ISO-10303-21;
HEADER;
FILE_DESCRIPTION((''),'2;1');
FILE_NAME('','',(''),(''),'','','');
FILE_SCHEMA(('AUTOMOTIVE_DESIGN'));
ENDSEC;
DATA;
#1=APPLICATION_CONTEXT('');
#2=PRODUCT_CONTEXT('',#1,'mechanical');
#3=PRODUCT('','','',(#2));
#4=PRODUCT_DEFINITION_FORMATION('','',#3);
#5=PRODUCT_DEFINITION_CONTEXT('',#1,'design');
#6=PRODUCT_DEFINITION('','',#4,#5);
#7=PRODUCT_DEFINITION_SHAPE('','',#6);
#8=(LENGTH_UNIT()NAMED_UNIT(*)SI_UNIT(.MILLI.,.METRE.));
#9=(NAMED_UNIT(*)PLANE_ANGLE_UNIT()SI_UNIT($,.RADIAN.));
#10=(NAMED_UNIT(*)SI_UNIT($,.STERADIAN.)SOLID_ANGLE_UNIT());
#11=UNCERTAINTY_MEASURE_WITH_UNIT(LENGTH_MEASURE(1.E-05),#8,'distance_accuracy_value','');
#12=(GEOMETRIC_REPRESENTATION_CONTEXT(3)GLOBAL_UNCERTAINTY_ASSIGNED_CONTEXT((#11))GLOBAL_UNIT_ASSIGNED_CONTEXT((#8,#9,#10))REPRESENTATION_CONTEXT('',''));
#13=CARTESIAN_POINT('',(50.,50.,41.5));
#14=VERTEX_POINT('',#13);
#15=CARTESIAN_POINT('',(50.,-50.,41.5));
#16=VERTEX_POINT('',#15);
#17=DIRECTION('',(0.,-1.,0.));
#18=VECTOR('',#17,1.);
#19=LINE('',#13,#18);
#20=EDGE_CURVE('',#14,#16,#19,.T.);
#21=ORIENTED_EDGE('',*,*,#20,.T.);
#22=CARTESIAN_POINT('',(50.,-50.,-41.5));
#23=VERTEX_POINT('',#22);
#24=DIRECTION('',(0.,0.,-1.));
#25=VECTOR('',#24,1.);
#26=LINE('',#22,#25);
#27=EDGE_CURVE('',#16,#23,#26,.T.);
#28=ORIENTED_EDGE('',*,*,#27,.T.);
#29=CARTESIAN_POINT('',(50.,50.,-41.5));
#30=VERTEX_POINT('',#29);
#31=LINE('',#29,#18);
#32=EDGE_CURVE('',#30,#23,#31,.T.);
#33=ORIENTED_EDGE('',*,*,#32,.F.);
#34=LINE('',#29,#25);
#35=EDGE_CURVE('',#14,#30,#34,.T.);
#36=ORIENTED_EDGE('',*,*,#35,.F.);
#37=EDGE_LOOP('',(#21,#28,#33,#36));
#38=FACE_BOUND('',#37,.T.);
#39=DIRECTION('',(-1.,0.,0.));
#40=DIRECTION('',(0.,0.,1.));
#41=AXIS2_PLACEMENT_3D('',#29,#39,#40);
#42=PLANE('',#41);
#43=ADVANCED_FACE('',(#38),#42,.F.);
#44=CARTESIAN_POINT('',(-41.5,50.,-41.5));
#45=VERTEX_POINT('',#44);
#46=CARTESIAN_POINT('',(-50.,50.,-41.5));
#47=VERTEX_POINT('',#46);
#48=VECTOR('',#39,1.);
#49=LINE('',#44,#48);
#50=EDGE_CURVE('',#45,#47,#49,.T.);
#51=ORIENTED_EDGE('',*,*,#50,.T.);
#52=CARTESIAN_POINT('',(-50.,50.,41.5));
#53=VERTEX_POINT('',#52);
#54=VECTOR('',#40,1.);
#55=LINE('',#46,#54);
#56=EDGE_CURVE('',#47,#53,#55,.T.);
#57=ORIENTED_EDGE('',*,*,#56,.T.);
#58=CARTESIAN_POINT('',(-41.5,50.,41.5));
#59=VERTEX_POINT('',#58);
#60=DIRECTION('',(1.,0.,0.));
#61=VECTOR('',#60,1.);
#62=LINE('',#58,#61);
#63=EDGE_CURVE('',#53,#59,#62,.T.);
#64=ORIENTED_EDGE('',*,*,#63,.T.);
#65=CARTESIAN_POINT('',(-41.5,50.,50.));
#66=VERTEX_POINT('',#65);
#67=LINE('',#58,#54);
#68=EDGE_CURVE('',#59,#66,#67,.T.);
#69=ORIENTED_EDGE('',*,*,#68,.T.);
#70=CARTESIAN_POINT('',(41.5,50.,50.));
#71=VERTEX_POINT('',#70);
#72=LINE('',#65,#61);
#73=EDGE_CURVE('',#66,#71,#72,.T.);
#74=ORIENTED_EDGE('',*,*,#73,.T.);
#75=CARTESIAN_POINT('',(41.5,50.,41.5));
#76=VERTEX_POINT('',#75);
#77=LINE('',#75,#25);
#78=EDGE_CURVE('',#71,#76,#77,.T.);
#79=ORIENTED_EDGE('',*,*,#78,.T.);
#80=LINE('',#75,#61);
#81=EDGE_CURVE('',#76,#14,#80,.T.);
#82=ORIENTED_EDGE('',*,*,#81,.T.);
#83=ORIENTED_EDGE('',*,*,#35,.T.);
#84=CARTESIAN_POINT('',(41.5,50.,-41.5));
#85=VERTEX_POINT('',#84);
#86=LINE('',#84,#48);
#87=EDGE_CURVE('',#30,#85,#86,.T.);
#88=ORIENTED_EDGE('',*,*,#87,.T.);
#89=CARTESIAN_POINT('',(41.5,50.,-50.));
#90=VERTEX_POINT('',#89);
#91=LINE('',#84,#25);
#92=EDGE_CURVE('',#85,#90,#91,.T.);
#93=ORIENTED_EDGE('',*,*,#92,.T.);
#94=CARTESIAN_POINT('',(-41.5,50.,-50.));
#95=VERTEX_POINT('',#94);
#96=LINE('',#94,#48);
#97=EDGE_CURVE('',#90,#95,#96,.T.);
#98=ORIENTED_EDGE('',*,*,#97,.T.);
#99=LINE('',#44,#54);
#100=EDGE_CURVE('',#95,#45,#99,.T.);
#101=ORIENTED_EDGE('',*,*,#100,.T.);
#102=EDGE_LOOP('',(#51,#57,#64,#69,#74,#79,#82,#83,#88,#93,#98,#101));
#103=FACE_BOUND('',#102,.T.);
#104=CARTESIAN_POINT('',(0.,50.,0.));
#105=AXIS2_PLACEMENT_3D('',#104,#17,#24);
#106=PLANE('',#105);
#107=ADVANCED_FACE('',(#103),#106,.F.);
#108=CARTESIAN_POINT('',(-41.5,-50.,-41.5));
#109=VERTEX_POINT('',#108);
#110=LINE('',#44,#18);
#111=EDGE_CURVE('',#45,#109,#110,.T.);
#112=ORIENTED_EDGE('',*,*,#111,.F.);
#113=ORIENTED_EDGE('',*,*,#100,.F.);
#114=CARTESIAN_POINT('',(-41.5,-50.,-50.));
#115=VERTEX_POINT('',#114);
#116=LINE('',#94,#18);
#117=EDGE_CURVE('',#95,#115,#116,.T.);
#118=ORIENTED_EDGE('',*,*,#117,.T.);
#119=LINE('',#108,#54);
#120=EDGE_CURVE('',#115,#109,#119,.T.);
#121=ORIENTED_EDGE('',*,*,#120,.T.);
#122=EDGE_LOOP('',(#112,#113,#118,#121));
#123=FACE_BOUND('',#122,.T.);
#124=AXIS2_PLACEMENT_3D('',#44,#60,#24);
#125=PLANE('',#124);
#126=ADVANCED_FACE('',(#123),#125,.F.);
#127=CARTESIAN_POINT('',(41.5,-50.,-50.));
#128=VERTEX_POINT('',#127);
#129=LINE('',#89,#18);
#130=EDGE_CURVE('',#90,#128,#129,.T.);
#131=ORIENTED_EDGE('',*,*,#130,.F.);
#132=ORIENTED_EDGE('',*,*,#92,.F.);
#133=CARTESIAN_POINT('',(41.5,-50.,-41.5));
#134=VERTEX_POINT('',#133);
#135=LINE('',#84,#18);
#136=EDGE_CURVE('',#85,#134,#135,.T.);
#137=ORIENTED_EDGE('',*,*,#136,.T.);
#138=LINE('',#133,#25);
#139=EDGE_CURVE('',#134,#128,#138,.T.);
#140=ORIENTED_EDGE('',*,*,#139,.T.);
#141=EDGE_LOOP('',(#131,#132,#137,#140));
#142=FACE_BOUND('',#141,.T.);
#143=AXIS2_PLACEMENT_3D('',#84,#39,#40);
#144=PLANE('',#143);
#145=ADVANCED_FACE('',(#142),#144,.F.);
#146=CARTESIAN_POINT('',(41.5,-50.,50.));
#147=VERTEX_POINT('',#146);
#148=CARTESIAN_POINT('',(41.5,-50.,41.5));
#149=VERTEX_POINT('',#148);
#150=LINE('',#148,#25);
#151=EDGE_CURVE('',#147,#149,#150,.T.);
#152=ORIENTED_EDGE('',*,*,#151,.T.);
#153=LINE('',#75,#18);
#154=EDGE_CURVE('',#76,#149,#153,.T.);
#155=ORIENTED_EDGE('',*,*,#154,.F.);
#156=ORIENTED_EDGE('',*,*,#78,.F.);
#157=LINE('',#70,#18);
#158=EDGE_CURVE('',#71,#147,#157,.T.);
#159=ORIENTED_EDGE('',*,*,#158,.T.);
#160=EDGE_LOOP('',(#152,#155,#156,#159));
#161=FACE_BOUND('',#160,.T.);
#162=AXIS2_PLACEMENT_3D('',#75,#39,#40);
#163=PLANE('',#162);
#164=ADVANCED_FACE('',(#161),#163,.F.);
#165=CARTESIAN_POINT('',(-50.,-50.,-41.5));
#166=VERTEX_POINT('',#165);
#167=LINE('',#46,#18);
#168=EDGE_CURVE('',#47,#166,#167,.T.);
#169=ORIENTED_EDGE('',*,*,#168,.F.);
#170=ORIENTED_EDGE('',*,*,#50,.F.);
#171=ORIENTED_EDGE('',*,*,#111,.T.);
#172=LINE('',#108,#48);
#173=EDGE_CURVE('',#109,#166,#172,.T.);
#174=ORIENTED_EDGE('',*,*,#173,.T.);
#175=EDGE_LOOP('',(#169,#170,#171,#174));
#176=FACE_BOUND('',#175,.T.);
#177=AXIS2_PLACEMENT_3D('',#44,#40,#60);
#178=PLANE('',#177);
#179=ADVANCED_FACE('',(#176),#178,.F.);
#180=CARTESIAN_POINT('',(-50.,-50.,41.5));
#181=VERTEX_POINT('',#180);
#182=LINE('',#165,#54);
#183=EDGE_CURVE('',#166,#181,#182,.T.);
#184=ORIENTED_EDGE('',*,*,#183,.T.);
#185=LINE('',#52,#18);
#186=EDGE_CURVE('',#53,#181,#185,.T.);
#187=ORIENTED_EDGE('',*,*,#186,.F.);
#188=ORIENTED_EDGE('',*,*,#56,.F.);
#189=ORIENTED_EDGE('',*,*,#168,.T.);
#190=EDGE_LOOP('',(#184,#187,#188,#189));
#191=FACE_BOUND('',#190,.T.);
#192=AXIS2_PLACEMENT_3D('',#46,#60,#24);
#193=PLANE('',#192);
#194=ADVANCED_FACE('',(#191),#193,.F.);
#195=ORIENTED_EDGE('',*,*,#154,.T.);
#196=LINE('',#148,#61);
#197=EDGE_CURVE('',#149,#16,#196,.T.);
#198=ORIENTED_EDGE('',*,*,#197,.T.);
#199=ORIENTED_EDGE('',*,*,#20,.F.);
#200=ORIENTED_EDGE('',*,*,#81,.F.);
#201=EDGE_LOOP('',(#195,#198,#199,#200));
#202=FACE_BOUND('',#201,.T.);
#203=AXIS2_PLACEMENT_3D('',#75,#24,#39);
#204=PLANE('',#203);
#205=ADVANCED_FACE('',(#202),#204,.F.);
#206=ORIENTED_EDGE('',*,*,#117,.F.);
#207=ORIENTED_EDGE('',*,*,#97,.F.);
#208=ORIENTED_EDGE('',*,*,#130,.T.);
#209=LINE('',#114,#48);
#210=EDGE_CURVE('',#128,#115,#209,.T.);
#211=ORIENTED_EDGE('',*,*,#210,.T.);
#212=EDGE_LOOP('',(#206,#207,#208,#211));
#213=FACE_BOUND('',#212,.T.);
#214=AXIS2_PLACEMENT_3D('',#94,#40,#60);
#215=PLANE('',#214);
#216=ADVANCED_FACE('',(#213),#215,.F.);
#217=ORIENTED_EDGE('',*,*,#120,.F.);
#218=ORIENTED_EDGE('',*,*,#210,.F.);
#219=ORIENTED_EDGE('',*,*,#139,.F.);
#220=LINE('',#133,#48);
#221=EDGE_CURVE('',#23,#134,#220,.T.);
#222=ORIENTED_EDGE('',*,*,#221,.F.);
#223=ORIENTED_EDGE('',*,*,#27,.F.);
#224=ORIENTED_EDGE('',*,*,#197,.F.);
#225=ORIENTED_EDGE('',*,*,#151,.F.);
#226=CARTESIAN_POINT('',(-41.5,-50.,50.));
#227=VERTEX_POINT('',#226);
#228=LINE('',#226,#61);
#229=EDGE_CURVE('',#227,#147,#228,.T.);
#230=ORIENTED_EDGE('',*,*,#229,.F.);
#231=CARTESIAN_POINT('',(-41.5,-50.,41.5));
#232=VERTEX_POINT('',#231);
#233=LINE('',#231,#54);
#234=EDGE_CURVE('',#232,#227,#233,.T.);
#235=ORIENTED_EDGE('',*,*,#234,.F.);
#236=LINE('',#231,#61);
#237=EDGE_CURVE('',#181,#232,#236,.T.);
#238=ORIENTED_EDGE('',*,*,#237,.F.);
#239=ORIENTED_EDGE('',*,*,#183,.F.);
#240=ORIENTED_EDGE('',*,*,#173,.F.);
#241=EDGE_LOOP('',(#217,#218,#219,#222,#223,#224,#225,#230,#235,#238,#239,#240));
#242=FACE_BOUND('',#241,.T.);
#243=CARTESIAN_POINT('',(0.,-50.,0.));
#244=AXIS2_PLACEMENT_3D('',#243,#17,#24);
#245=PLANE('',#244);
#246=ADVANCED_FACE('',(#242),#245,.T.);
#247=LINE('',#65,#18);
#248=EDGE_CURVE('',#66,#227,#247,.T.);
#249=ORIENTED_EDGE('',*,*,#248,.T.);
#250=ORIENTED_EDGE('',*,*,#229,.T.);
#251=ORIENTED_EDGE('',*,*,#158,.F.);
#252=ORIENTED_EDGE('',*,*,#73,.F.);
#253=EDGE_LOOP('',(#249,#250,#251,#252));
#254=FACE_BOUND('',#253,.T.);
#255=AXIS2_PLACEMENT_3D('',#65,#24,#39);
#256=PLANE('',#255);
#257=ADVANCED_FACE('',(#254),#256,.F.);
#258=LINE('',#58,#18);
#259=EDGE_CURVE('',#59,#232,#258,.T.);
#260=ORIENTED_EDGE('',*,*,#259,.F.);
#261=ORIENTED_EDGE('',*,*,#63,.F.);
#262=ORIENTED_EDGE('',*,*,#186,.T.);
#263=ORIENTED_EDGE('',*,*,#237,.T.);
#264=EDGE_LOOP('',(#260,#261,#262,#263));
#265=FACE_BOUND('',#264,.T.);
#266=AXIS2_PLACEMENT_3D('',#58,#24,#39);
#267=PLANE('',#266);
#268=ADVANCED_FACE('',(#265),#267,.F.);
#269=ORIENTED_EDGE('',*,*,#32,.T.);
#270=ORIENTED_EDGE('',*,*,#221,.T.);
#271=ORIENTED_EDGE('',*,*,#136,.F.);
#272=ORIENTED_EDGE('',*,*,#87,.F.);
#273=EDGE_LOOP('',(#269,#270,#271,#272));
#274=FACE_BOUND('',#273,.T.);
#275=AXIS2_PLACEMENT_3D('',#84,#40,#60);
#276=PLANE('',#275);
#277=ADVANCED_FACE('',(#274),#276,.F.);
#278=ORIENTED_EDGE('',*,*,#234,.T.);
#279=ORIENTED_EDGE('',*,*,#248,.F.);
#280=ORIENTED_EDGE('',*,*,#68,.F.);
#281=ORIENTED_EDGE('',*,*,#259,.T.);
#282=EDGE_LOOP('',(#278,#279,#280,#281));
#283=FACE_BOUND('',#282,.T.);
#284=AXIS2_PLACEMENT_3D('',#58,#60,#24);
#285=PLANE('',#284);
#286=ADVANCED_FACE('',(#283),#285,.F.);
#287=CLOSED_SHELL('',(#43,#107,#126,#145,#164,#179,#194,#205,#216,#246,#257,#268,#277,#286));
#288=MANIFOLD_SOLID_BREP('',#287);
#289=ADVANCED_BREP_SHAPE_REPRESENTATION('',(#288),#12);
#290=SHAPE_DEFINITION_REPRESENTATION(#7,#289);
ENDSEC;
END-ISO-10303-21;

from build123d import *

# Parameters (mm, degrees)
BOSS_EXTRUDE1_DEPTH = 50


with BuildPart() as part:
    # Sketch1 → Boss-Extrude1 (new, symmetric)
    with BuildSketch(Plane(origin=(0, 0, 0), x_dir=(1, 0, 0), z_dir=(0, 1, 0))):
        Polygon((41.5, 41.5), (50, 41.5), (50, -41.5), (41.5, -41.5), (41.5, -50), (-41.5, -50), (-41.5, -41.5), (-50, -41.5), (-50, 41.5), (-41.5, 41.5), (-41.5, 50), (41.5, 50), align=None)
    extrude(amount=BOSS_EXTRUDE1_DEPTH, both=True)


solid = part.part
